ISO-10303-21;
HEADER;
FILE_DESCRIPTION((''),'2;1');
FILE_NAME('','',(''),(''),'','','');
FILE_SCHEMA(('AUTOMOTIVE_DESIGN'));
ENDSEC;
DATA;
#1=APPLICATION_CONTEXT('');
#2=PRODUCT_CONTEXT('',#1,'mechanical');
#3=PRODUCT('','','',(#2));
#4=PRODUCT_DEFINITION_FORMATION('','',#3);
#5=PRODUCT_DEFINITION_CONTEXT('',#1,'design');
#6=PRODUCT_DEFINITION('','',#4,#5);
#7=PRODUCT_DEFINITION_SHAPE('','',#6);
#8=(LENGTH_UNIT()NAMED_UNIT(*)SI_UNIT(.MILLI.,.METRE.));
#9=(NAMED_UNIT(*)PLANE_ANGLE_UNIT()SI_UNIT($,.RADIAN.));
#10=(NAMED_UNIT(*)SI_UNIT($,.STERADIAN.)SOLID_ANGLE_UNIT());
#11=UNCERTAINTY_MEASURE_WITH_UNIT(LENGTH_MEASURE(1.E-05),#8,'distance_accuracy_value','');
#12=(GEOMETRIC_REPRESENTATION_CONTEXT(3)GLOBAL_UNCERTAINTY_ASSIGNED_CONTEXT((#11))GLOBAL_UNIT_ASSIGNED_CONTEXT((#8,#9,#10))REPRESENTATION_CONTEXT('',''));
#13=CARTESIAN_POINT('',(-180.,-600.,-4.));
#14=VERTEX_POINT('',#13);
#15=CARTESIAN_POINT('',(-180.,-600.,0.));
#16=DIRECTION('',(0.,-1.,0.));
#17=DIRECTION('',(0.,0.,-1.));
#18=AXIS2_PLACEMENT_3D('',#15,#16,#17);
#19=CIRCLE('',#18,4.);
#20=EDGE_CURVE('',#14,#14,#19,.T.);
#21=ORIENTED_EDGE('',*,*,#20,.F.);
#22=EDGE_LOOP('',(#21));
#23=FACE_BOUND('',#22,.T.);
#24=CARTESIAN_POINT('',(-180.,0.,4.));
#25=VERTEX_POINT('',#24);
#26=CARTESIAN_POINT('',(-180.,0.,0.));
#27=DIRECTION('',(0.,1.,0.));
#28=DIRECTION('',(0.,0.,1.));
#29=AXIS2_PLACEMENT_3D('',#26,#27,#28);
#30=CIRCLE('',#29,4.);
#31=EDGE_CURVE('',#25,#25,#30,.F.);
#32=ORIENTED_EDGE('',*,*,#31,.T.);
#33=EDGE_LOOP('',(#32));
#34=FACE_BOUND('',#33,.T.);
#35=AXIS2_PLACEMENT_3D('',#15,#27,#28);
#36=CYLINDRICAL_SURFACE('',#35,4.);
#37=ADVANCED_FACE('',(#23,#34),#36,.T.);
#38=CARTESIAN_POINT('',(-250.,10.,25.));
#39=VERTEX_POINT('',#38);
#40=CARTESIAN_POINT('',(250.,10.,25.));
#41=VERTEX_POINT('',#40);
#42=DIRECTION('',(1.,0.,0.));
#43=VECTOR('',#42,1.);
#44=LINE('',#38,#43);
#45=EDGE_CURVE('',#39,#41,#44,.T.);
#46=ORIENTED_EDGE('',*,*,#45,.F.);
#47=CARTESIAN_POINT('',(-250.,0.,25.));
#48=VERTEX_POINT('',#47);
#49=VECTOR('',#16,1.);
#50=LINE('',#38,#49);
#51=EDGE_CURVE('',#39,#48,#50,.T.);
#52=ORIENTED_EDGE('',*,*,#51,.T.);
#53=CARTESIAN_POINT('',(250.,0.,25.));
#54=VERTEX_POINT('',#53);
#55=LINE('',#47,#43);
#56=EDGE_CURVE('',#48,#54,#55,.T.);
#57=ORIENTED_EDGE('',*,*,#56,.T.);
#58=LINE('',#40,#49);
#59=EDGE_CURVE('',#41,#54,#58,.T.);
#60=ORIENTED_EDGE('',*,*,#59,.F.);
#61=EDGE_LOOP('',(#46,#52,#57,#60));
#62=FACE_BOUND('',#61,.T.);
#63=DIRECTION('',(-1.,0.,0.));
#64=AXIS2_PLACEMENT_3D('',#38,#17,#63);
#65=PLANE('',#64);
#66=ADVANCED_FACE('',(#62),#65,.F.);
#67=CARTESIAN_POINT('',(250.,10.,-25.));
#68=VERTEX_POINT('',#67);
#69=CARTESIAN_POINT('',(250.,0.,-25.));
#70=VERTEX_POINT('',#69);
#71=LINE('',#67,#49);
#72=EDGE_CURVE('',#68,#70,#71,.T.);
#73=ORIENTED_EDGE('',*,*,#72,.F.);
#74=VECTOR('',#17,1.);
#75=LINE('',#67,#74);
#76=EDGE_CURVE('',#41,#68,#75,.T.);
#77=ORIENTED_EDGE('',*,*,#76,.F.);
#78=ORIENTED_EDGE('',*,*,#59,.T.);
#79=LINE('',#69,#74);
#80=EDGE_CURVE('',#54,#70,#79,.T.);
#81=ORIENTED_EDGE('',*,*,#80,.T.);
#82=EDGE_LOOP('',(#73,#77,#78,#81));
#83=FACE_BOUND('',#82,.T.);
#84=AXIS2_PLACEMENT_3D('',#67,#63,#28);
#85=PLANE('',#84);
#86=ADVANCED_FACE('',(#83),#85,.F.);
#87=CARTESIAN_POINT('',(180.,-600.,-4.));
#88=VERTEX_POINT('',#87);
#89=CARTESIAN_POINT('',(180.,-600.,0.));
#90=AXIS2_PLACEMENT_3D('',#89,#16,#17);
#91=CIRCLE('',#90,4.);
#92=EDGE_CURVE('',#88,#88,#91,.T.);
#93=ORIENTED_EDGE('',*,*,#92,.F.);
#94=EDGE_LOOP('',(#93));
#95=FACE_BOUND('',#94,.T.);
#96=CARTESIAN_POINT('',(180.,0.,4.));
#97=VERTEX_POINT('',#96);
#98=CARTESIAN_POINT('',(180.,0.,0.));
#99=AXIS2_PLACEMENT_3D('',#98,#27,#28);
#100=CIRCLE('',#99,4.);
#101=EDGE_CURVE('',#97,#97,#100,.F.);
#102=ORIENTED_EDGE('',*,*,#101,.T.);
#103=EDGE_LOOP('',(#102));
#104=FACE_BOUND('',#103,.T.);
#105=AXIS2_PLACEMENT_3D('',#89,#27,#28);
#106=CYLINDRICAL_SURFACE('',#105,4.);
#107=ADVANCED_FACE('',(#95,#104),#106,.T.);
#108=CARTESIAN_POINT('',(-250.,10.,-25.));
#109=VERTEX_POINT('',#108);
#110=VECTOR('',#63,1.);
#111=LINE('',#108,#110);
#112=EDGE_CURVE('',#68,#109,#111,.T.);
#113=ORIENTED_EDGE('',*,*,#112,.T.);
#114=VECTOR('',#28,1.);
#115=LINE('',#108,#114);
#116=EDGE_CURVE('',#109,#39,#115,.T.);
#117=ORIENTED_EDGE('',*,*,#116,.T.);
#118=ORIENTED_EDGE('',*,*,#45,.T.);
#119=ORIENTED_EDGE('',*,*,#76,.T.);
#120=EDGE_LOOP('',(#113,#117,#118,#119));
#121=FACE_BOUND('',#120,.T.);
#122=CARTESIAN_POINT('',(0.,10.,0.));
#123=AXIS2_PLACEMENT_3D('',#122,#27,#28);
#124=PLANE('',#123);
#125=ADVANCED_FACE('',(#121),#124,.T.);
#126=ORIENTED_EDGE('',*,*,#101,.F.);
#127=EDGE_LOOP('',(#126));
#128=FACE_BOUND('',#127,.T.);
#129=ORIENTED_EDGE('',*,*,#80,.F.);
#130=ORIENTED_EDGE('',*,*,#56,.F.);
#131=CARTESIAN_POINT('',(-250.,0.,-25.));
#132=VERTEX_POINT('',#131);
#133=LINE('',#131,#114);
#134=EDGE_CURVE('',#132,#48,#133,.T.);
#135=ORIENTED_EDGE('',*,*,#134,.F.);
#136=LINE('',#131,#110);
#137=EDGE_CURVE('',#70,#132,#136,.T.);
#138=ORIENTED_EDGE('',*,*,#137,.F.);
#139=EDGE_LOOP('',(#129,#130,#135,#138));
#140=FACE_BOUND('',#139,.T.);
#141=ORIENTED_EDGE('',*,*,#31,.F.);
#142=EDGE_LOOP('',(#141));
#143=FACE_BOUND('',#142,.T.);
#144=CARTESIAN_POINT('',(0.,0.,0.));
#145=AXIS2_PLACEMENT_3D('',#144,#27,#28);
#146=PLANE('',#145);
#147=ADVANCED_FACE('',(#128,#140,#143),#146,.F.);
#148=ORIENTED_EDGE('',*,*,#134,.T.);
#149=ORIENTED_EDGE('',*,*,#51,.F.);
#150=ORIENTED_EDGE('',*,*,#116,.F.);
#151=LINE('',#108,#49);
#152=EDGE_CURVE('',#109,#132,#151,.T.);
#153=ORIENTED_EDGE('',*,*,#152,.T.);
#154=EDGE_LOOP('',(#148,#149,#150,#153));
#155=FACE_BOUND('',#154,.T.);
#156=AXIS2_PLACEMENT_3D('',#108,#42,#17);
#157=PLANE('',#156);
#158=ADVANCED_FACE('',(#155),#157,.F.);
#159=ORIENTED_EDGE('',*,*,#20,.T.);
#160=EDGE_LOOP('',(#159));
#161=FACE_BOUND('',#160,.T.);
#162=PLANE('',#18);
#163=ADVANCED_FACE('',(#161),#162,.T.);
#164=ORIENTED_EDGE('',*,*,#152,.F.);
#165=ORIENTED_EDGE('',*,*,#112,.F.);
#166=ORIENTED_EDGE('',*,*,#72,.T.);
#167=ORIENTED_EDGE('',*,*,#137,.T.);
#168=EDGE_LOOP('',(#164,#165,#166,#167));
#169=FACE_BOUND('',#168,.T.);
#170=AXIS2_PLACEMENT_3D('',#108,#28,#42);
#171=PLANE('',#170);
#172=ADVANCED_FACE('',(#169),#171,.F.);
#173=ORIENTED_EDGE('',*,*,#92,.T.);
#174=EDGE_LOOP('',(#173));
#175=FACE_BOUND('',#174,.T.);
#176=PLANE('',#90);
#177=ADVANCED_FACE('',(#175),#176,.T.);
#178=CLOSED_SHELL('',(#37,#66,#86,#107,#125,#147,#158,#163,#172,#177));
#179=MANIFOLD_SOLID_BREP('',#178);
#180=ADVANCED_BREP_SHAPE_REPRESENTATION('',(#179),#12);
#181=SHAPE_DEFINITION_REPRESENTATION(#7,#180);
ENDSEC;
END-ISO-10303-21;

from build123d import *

# Parameters (mm, degrees)
SKETCH1_W           = 500
SKETCH1_H           = 50
BOSS_EXTRUDE1_DEPTH = 10
SKETCH2_R           = 4
BOSS_EXTRUDE2_DEPTH = 600
SKETCH6_R           = 4
BOSS_EXTRUDE3_DEPTH = 600


with BuildPart() as part:
    # Sketch1 → Boss-Extrude1 (new body)
    with BuildSketch(Plane(origin=(0, 0, 0), x_dir=(1, 0, 0), z_dir=(0, 1, 0))):
        Rectangle(SKETCH1_W, SKETCH1_H)
    extrude(amount=BOSS_EXTRUDE1_DEPTH)

    # Sketch2 → Boss-Extrude2 (add)
    with BuildSketch(Plane.XZ):
        with Locations((180, 0)):
            Circle(SKETCH2_R)
    extrude(amount=BOSS_EXTRUDE2_DEPTH)

    # Sketch6 → Boss-Extrude3 (add)
    with BuildSketch(Plane.XZ):
        with Locations((-180, 0)):
            Circle(SKETCH6_R)
    extrude(amount=BOSS_EXTRUDE3_DEPTH)


solid = part.part
